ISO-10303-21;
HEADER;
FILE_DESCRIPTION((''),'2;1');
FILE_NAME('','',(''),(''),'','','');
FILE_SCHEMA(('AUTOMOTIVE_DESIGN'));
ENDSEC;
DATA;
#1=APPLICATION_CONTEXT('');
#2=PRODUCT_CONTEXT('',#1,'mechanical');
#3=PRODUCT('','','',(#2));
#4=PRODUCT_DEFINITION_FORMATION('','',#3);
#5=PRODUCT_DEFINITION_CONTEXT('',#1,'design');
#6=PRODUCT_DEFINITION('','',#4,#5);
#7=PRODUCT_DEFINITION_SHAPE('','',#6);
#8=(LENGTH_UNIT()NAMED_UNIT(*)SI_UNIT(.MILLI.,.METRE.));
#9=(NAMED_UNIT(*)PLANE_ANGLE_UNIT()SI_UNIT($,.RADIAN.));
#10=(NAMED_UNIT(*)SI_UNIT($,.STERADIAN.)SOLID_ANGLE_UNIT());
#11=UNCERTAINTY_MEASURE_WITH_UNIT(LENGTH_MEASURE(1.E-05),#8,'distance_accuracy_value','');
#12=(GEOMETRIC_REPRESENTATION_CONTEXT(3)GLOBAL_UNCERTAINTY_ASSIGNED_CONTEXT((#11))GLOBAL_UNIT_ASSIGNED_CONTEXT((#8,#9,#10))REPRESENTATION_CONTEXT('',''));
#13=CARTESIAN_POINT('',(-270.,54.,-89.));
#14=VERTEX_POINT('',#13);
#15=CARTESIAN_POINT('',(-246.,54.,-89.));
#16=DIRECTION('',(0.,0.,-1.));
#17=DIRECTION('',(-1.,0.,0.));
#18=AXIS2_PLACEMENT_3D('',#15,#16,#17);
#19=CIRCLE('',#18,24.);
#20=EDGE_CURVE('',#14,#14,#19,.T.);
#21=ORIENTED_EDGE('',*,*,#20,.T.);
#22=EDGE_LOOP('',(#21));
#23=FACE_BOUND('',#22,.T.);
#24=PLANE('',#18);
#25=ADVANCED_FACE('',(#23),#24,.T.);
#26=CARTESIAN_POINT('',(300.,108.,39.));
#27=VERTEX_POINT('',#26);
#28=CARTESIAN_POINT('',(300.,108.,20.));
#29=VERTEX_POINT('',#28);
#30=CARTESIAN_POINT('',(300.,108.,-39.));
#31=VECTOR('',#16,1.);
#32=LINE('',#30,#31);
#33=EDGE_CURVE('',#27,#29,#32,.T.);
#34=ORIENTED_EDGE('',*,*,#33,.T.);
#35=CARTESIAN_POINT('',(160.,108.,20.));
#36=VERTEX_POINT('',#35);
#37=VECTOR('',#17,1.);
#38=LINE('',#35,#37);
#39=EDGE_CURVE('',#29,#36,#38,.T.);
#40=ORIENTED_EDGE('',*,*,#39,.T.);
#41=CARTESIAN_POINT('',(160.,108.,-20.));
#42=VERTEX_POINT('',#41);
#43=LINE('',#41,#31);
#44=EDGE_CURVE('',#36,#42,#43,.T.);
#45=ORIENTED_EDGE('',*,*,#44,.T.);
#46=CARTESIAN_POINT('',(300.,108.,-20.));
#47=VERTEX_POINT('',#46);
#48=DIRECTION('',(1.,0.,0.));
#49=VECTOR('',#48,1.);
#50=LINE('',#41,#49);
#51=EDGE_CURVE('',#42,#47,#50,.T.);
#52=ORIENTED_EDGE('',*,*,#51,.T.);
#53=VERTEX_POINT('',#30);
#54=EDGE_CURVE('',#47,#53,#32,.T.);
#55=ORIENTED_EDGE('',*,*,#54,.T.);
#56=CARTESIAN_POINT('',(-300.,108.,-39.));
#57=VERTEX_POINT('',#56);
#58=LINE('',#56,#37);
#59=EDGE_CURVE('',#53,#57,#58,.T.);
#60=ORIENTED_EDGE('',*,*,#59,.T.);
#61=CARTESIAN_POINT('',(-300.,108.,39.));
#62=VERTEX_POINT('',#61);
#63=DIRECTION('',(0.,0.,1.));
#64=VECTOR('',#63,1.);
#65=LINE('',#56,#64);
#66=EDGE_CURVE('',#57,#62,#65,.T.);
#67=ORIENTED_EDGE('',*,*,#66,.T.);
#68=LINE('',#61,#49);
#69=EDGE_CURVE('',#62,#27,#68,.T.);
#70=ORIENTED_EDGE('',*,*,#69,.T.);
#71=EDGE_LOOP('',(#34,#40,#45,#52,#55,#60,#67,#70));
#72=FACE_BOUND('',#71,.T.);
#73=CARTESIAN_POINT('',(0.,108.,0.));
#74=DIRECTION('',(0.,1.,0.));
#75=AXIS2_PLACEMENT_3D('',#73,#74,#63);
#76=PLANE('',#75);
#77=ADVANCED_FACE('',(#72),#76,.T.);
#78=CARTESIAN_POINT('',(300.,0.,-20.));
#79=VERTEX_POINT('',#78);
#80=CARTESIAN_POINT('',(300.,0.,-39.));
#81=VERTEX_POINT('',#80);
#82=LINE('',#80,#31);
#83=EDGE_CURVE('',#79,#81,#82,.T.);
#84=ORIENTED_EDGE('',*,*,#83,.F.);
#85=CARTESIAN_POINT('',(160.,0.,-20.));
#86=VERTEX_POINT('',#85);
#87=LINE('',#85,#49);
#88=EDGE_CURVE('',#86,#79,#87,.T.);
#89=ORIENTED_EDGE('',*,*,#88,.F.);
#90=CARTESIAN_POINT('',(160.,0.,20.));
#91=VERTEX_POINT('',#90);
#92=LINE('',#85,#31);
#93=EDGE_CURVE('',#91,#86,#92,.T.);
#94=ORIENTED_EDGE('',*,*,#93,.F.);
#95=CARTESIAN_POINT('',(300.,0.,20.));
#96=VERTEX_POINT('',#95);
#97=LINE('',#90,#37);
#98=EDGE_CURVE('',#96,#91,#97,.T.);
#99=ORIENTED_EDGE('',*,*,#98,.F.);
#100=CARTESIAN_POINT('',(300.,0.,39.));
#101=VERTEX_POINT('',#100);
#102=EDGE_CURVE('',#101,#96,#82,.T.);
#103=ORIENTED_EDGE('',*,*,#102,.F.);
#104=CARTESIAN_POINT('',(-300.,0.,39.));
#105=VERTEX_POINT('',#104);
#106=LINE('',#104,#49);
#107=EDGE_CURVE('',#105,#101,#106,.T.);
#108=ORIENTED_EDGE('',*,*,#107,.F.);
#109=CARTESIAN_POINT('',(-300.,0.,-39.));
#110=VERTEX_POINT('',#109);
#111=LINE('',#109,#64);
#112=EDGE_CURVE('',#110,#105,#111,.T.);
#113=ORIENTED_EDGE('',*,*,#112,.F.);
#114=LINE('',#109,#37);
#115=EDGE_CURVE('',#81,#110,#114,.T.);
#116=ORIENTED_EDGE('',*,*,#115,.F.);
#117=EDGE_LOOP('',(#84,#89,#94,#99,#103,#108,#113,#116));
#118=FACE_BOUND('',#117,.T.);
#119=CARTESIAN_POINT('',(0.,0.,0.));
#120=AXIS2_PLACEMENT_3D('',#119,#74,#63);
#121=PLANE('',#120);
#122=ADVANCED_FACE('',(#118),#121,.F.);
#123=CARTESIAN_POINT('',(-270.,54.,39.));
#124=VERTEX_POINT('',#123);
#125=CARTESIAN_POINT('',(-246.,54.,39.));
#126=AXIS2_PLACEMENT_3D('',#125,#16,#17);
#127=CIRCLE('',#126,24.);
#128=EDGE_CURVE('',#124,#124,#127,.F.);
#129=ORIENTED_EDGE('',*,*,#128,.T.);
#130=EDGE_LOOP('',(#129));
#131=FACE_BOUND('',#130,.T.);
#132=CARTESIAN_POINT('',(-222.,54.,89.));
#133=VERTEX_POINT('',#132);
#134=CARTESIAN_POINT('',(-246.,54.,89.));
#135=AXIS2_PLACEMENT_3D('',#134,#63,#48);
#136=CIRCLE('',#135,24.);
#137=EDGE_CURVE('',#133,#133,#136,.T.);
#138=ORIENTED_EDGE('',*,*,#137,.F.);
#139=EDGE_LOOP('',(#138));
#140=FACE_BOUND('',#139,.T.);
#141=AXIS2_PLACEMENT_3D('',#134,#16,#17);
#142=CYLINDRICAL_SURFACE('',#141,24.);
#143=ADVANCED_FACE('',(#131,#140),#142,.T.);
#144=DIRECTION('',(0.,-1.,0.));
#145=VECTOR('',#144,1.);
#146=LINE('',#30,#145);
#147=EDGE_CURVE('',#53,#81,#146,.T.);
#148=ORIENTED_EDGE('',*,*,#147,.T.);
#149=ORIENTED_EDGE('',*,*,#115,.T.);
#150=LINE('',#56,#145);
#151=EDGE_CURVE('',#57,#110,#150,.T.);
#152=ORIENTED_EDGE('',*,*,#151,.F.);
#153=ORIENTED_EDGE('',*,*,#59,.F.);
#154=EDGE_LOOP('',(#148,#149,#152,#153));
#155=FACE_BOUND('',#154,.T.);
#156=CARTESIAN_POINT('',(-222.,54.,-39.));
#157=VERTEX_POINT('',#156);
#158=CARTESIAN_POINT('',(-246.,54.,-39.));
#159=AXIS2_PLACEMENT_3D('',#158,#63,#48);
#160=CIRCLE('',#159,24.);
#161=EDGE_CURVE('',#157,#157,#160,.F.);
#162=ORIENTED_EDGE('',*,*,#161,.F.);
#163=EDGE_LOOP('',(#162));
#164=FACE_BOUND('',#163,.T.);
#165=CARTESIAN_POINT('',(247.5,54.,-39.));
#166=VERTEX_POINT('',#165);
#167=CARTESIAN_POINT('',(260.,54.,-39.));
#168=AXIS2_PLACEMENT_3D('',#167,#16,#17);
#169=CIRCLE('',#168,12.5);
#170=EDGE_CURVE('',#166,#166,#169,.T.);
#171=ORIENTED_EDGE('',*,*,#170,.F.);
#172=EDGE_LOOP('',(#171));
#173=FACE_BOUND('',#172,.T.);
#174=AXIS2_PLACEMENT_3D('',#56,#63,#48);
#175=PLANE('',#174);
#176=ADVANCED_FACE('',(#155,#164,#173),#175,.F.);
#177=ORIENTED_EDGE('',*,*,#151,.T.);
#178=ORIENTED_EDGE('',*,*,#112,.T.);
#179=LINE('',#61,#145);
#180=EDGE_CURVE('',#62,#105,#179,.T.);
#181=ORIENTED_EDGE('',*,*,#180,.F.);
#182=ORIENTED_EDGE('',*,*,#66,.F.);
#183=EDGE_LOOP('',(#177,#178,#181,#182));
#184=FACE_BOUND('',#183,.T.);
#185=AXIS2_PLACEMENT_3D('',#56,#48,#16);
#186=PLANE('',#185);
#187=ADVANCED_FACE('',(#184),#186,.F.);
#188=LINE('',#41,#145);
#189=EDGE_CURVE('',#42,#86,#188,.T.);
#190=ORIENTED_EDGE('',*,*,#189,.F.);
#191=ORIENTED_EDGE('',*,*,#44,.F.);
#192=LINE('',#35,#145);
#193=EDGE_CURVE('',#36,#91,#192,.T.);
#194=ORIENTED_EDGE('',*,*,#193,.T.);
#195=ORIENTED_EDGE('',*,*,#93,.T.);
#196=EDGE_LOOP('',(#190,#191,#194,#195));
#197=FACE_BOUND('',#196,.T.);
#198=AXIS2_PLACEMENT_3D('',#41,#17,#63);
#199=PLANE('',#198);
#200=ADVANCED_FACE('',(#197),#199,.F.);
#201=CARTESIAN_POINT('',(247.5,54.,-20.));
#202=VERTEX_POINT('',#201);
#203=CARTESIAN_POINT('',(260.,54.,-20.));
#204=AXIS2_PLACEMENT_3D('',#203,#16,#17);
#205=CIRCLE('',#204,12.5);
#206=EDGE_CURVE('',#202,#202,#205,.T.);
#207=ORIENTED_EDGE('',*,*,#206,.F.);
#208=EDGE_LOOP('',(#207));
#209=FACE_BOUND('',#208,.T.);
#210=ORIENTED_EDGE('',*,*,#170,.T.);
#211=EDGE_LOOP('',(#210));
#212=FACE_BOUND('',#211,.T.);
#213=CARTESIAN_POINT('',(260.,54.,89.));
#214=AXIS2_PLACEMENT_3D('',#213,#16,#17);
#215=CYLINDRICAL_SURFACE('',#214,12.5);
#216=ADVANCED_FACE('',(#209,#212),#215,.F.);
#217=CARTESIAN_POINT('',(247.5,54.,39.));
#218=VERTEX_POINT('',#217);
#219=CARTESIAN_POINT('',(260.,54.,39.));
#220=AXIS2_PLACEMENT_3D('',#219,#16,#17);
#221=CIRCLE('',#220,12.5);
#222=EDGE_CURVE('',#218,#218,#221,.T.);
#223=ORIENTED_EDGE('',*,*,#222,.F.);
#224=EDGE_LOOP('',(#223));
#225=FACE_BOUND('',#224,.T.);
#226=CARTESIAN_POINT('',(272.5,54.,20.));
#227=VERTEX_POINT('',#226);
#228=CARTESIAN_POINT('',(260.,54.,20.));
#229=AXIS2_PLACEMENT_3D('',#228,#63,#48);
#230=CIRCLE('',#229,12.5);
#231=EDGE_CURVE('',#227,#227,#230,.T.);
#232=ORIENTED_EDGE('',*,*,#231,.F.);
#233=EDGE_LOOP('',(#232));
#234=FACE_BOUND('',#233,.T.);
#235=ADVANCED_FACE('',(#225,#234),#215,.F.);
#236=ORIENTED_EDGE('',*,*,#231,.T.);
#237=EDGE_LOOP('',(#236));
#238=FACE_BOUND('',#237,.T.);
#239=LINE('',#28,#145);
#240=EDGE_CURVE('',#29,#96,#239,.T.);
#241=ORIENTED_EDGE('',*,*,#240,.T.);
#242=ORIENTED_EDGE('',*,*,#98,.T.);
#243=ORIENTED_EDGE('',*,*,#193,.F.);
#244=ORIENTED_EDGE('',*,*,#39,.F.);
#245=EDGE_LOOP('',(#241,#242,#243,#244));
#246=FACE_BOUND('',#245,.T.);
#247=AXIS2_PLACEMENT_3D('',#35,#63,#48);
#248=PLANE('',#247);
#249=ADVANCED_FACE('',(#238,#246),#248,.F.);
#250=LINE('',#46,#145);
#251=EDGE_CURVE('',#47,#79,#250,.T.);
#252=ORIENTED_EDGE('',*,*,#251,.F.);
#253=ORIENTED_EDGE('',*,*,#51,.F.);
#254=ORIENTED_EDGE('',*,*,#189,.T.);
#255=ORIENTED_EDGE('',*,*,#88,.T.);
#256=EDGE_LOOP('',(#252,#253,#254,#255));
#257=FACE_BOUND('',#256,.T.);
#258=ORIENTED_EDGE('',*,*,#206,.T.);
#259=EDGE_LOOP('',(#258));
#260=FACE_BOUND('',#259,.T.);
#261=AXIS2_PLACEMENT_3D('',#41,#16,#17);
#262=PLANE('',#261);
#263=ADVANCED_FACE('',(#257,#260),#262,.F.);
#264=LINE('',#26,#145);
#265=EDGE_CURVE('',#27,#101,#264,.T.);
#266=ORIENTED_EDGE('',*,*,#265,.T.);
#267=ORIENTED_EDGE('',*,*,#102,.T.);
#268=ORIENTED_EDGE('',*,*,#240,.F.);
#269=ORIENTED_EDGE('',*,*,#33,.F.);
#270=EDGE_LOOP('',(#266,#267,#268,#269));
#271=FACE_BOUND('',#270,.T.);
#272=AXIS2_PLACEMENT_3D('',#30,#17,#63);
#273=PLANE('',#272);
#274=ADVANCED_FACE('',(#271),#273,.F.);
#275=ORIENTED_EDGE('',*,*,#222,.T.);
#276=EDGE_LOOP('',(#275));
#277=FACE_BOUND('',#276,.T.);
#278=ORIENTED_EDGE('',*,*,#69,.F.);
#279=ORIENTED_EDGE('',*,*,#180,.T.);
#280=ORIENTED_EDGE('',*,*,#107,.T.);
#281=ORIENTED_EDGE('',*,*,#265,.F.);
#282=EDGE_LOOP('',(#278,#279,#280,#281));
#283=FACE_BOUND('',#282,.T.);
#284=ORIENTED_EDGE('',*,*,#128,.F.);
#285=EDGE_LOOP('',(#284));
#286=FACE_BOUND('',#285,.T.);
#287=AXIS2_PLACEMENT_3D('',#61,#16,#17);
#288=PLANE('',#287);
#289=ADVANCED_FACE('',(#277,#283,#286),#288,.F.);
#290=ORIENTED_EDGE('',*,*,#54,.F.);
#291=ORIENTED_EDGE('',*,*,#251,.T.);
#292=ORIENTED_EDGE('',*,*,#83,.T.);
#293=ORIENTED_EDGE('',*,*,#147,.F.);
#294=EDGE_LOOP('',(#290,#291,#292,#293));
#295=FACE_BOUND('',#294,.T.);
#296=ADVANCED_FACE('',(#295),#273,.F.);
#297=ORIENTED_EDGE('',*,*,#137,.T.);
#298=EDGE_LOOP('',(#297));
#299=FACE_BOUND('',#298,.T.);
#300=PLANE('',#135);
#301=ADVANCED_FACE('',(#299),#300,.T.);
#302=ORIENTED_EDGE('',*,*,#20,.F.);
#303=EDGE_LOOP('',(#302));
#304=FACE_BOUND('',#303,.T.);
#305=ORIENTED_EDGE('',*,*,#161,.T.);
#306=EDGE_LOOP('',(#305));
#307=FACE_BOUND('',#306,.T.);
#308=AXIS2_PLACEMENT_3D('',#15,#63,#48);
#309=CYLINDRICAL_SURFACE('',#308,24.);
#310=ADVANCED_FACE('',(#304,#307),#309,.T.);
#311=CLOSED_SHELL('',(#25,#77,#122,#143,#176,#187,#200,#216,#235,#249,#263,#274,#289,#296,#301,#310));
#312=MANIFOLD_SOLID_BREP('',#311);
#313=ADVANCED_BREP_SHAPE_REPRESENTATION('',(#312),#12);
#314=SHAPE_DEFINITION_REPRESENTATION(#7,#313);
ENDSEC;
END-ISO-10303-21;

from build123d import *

# Parameters (mm, degrees)
SKETCH1_W           = 600
SKETCH1_H           = 78
BOSS_EXTRUDE1_DEPTH = 108
SKETCH2_R           = 24
BOSS_EXTRUDE2_DEPTH = 50
BOSS_EXTRUDE3_START = 50
SKETCH3_R           = 24
BOSS_EXTRUDE3_DEPTH = 50
SKETCH4_W           = 140
SKETCH4_H           = 40
CUT_EXTRUDE1_DEPTH  = 332.036251791
SKETCH5_R           = 12.5
CUT_EXTRUDE2_DEPTH  = 344.581140344


with BuildPart() as part:
    # Sketch1 → Boss-Extrude1 (new body)
    with BuildSketch(Plane(origin=(0, 0, 0), x_dir=(1, 0, 0), z_dir=(0, 1, 0))):
        Rectangle(SKETCH1_W, SKETCH1_H)
    extrude(amount=BOSS_EXTRUDE1_DEPTH)

    # Sketch2 → Boss-Extrude2 (add)
    with BuildSketch(Plane.XY.offset(39)):
        with Locations(Location((-246, 54, 0), (0, 0, 180))):
            Circle(SKETCH2_R)
    extrude(amount=BOSS_EXTRUDE2_DEPTH)

    # Sketch3 → Boss-Extrude3 (add)
    with BuildSketch(Plane(origin=(0, 0, -39), x_dir=(-1, 0, 0), z_dir=(0, 0, -1)).offset(BOSS_EXTRUDE3_START)):
        with Locations((246, 54)):
            Circle(SKETCH3_R)
    extrude(amount=-BOSS_EXTRUDE3_DEPTH)

    # Sketch4 → Cut-Extrude1 (cut, through all)
    with BuildSketch(Plane(origin=(0, 0, 0), x_dir=(-1, 0, 0), z_dir=(0, -1, 0))):
        with Locations((-230, 0)):
            Rectangle(SKETCH4_W, SKETCH4_H)
    extrude(amount=-CUT_EXTRUDE1_DEPTH, mode=Mode.SUBTRACT)

    # Sketch5 → Cut-Extrude2 (cut, through all)
    with BuildSketch(Plane(origin=(0, 0, -39), x_dir=(-1, 0, 0), z_dir=(0, 0, -1))):
        with Locations((-260, 54)):
            Circle(SKETCH5_R)
    extrude(amount=-CUT_EXTRUDE2_DEPTH, mode=Mode.SUBTRACT)


solid = part.part
